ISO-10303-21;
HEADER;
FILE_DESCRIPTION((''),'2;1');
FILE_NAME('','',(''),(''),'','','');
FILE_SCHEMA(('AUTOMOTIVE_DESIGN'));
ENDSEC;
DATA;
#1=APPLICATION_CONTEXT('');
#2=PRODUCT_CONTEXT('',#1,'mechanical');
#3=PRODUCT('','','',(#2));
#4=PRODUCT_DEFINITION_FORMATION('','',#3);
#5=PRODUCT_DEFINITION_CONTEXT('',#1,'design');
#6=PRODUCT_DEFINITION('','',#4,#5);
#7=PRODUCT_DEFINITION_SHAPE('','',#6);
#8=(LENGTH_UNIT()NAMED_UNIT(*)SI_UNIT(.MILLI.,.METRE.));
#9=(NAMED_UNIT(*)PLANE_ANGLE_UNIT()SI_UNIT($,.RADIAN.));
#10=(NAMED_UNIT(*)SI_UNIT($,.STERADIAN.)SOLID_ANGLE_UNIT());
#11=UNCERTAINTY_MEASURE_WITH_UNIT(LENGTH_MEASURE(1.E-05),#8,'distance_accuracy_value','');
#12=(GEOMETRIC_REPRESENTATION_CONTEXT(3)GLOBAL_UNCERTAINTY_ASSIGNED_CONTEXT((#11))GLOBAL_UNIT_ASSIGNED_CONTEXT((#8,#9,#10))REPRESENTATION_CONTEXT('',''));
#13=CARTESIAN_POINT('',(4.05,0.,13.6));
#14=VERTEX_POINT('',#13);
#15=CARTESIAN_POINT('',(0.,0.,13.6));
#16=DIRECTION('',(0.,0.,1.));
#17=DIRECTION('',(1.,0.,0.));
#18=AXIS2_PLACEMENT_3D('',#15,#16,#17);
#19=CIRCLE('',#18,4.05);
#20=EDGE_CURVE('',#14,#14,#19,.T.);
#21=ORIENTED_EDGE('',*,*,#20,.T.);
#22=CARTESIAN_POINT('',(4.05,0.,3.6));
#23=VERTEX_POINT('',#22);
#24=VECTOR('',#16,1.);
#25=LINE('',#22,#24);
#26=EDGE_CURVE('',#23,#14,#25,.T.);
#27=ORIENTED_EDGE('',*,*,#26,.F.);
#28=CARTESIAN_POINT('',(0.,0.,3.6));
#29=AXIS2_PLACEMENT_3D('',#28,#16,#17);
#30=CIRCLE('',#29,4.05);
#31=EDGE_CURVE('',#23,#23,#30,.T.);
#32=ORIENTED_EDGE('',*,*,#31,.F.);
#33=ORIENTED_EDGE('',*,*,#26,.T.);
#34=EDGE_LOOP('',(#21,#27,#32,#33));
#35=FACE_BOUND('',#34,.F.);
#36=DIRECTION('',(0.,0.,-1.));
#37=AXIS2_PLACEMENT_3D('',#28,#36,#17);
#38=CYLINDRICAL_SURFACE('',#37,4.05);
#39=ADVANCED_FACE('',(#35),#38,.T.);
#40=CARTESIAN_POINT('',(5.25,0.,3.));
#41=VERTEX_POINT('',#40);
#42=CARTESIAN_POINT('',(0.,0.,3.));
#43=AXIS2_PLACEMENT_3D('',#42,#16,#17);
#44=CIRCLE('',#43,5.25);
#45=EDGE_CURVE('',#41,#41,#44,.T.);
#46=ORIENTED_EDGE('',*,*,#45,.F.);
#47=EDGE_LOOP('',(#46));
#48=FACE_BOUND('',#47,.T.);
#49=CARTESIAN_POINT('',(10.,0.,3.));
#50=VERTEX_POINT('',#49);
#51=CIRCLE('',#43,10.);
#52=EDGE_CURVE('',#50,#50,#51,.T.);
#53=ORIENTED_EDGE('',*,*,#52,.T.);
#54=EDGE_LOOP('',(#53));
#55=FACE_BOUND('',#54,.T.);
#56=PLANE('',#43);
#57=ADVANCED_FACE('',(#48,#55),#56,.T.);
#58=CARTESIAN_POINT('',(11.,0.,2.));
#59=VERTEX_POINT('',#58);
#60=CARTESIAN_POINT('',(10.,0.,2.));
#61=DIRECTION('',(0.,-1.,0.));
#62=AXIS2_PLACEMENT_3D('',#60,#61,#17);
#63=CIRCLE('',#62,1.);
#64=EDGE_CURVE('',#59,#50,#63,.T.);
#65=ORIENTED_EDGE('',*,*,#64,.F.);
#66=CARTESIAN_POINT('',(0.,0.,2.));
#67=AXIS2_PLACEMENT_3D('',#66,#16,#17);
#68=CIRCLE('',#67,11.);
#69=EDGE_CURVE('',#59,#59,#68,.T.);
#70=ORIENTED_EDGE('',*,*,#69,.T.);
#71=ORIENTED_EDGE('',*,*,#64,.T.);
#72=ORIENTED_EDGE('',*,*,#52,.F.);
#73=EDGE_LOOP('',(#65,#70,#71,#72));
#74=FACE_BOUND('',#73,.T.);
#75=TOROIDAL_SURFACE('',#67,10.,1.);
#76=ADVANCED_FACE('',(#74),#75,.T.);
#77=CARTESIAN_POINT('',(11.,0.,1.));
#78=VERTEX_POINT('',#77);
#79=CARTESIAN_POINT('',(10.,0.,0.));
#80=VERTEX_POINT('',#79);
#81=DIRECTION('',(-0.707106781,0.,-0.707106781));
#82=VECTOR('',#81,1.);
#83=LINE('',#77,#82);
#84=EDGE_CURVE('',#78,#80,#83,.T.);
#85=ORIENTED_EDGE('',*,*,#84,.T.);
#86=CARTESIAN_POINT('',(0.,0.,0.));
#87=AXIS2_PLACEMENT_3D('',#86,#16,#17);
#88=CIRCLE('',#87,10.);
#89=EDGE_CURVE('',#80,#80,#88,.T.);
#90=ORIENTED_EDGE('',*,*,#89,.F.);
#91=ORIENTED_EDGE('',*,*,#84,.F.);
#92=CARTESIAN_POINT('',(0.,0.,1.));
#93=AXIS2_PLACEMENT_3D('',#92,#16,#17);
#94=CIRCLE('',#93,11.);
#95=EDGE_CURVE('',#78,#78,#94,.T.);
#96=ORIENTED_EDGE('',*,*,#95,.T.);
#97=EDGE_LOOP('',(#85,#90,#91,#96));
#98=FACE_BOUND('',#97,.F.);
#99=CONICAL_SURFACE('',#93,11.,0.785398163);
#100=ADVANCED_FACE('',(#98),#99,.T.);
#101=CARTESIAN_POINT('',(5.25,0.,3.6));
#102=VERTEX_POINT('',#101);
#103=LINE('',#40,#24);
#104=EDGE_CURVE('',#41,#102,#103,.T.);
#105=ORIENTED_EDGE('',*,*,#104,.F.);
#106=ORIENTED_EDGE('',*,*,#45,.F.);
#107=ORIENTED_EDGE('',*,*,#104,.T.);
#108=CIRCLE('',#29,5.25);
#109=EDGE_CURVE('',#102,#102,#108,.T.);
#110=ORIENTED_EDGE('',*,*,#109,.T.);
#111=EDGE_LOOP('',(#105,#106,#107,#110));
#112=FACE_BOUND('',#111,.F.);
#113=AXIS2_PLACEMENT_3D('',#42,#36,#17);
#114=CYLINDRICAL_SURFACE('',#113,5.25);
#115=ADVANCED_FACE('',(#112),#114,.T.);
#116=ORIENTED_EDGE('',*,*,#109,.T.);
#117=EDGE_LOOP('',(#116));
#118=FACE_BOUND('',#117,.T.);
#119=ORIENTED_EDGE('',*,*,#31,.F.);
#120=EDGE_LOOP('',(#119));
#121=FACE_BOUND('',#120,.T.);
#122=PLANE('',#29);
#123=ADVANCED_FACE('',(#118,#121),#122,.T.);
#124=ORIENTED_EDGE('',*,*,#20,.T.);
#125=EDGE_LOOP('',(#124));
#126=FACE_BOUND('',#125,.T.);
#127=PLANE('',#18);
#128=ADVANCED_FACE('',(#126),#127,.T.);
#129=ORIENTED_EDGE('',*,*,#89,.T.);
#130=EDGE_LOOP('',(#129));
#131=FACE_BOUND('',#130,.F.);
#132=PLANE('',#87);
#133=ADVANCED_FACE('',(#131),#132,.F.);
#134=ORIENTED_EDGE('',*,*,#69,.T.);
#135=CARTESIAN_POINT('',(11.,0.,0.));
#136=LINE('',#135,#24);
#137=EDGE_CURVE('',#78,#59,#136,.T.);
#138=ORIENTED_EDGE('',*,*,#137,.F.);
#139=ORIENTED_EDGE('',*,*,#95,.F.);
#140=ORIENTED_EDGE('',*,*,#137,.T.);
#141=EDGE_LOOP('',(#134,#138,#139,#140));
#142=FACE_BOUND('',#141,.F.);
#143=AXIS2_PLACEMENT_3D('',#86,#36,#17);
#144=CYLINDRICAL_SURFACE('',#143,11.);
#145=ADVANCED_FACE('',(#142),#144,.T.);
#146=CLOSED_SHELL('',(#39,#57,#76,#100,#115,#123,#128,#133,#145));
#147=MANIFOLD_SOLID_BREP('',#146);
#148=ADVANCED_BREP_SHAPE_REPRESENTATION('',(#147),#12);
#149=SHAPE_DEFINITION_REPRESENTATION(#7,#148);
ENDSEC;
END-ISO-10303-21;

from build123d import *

# Parameters (mm, degrees)
F0_R     = 11
F1_DEPTH = 3
F2_R     = 5.25
F3_DEPTH = 0.6
F4_R     = 4.05
F5_DEPTH = 10
F6_SIZE  = 1
F7_R     = 1


with BuildPart() as f1:
    # F0 (on Top) → F1 (new body)
    with BuildSketch(Plane.XY):
        Circle(F0_R)
    extrude(amount=F1_DEPTH)

    # F2 (on face) → F3 (join)
    with BuildSketch(Plane.XY.offset(3)):
        Circle(F2_R)
    extrude(amount=F3_DEPTH)

    # F4 (on face) → F5 (join)
    with BuildSketch(Plane.XY.offset(3.6)):
        Circle(F4_R)
    extrude(amount=F5_DEPTH)

    # F6
    f6_edges = [f1.edges().sort_by_distance(p)[0] for p in [
        (-11, 0, 0),
    ]]
    chamfer(f6_edges, length=F6_SIZE)

    # F7
    f7_edges = [f1.edges().sort_by_distance(p)[0] for p in [
        (-11, 0, 3),
    ]]
    fillet(f7_edges, radius=F7_R)


solid = f1.part
